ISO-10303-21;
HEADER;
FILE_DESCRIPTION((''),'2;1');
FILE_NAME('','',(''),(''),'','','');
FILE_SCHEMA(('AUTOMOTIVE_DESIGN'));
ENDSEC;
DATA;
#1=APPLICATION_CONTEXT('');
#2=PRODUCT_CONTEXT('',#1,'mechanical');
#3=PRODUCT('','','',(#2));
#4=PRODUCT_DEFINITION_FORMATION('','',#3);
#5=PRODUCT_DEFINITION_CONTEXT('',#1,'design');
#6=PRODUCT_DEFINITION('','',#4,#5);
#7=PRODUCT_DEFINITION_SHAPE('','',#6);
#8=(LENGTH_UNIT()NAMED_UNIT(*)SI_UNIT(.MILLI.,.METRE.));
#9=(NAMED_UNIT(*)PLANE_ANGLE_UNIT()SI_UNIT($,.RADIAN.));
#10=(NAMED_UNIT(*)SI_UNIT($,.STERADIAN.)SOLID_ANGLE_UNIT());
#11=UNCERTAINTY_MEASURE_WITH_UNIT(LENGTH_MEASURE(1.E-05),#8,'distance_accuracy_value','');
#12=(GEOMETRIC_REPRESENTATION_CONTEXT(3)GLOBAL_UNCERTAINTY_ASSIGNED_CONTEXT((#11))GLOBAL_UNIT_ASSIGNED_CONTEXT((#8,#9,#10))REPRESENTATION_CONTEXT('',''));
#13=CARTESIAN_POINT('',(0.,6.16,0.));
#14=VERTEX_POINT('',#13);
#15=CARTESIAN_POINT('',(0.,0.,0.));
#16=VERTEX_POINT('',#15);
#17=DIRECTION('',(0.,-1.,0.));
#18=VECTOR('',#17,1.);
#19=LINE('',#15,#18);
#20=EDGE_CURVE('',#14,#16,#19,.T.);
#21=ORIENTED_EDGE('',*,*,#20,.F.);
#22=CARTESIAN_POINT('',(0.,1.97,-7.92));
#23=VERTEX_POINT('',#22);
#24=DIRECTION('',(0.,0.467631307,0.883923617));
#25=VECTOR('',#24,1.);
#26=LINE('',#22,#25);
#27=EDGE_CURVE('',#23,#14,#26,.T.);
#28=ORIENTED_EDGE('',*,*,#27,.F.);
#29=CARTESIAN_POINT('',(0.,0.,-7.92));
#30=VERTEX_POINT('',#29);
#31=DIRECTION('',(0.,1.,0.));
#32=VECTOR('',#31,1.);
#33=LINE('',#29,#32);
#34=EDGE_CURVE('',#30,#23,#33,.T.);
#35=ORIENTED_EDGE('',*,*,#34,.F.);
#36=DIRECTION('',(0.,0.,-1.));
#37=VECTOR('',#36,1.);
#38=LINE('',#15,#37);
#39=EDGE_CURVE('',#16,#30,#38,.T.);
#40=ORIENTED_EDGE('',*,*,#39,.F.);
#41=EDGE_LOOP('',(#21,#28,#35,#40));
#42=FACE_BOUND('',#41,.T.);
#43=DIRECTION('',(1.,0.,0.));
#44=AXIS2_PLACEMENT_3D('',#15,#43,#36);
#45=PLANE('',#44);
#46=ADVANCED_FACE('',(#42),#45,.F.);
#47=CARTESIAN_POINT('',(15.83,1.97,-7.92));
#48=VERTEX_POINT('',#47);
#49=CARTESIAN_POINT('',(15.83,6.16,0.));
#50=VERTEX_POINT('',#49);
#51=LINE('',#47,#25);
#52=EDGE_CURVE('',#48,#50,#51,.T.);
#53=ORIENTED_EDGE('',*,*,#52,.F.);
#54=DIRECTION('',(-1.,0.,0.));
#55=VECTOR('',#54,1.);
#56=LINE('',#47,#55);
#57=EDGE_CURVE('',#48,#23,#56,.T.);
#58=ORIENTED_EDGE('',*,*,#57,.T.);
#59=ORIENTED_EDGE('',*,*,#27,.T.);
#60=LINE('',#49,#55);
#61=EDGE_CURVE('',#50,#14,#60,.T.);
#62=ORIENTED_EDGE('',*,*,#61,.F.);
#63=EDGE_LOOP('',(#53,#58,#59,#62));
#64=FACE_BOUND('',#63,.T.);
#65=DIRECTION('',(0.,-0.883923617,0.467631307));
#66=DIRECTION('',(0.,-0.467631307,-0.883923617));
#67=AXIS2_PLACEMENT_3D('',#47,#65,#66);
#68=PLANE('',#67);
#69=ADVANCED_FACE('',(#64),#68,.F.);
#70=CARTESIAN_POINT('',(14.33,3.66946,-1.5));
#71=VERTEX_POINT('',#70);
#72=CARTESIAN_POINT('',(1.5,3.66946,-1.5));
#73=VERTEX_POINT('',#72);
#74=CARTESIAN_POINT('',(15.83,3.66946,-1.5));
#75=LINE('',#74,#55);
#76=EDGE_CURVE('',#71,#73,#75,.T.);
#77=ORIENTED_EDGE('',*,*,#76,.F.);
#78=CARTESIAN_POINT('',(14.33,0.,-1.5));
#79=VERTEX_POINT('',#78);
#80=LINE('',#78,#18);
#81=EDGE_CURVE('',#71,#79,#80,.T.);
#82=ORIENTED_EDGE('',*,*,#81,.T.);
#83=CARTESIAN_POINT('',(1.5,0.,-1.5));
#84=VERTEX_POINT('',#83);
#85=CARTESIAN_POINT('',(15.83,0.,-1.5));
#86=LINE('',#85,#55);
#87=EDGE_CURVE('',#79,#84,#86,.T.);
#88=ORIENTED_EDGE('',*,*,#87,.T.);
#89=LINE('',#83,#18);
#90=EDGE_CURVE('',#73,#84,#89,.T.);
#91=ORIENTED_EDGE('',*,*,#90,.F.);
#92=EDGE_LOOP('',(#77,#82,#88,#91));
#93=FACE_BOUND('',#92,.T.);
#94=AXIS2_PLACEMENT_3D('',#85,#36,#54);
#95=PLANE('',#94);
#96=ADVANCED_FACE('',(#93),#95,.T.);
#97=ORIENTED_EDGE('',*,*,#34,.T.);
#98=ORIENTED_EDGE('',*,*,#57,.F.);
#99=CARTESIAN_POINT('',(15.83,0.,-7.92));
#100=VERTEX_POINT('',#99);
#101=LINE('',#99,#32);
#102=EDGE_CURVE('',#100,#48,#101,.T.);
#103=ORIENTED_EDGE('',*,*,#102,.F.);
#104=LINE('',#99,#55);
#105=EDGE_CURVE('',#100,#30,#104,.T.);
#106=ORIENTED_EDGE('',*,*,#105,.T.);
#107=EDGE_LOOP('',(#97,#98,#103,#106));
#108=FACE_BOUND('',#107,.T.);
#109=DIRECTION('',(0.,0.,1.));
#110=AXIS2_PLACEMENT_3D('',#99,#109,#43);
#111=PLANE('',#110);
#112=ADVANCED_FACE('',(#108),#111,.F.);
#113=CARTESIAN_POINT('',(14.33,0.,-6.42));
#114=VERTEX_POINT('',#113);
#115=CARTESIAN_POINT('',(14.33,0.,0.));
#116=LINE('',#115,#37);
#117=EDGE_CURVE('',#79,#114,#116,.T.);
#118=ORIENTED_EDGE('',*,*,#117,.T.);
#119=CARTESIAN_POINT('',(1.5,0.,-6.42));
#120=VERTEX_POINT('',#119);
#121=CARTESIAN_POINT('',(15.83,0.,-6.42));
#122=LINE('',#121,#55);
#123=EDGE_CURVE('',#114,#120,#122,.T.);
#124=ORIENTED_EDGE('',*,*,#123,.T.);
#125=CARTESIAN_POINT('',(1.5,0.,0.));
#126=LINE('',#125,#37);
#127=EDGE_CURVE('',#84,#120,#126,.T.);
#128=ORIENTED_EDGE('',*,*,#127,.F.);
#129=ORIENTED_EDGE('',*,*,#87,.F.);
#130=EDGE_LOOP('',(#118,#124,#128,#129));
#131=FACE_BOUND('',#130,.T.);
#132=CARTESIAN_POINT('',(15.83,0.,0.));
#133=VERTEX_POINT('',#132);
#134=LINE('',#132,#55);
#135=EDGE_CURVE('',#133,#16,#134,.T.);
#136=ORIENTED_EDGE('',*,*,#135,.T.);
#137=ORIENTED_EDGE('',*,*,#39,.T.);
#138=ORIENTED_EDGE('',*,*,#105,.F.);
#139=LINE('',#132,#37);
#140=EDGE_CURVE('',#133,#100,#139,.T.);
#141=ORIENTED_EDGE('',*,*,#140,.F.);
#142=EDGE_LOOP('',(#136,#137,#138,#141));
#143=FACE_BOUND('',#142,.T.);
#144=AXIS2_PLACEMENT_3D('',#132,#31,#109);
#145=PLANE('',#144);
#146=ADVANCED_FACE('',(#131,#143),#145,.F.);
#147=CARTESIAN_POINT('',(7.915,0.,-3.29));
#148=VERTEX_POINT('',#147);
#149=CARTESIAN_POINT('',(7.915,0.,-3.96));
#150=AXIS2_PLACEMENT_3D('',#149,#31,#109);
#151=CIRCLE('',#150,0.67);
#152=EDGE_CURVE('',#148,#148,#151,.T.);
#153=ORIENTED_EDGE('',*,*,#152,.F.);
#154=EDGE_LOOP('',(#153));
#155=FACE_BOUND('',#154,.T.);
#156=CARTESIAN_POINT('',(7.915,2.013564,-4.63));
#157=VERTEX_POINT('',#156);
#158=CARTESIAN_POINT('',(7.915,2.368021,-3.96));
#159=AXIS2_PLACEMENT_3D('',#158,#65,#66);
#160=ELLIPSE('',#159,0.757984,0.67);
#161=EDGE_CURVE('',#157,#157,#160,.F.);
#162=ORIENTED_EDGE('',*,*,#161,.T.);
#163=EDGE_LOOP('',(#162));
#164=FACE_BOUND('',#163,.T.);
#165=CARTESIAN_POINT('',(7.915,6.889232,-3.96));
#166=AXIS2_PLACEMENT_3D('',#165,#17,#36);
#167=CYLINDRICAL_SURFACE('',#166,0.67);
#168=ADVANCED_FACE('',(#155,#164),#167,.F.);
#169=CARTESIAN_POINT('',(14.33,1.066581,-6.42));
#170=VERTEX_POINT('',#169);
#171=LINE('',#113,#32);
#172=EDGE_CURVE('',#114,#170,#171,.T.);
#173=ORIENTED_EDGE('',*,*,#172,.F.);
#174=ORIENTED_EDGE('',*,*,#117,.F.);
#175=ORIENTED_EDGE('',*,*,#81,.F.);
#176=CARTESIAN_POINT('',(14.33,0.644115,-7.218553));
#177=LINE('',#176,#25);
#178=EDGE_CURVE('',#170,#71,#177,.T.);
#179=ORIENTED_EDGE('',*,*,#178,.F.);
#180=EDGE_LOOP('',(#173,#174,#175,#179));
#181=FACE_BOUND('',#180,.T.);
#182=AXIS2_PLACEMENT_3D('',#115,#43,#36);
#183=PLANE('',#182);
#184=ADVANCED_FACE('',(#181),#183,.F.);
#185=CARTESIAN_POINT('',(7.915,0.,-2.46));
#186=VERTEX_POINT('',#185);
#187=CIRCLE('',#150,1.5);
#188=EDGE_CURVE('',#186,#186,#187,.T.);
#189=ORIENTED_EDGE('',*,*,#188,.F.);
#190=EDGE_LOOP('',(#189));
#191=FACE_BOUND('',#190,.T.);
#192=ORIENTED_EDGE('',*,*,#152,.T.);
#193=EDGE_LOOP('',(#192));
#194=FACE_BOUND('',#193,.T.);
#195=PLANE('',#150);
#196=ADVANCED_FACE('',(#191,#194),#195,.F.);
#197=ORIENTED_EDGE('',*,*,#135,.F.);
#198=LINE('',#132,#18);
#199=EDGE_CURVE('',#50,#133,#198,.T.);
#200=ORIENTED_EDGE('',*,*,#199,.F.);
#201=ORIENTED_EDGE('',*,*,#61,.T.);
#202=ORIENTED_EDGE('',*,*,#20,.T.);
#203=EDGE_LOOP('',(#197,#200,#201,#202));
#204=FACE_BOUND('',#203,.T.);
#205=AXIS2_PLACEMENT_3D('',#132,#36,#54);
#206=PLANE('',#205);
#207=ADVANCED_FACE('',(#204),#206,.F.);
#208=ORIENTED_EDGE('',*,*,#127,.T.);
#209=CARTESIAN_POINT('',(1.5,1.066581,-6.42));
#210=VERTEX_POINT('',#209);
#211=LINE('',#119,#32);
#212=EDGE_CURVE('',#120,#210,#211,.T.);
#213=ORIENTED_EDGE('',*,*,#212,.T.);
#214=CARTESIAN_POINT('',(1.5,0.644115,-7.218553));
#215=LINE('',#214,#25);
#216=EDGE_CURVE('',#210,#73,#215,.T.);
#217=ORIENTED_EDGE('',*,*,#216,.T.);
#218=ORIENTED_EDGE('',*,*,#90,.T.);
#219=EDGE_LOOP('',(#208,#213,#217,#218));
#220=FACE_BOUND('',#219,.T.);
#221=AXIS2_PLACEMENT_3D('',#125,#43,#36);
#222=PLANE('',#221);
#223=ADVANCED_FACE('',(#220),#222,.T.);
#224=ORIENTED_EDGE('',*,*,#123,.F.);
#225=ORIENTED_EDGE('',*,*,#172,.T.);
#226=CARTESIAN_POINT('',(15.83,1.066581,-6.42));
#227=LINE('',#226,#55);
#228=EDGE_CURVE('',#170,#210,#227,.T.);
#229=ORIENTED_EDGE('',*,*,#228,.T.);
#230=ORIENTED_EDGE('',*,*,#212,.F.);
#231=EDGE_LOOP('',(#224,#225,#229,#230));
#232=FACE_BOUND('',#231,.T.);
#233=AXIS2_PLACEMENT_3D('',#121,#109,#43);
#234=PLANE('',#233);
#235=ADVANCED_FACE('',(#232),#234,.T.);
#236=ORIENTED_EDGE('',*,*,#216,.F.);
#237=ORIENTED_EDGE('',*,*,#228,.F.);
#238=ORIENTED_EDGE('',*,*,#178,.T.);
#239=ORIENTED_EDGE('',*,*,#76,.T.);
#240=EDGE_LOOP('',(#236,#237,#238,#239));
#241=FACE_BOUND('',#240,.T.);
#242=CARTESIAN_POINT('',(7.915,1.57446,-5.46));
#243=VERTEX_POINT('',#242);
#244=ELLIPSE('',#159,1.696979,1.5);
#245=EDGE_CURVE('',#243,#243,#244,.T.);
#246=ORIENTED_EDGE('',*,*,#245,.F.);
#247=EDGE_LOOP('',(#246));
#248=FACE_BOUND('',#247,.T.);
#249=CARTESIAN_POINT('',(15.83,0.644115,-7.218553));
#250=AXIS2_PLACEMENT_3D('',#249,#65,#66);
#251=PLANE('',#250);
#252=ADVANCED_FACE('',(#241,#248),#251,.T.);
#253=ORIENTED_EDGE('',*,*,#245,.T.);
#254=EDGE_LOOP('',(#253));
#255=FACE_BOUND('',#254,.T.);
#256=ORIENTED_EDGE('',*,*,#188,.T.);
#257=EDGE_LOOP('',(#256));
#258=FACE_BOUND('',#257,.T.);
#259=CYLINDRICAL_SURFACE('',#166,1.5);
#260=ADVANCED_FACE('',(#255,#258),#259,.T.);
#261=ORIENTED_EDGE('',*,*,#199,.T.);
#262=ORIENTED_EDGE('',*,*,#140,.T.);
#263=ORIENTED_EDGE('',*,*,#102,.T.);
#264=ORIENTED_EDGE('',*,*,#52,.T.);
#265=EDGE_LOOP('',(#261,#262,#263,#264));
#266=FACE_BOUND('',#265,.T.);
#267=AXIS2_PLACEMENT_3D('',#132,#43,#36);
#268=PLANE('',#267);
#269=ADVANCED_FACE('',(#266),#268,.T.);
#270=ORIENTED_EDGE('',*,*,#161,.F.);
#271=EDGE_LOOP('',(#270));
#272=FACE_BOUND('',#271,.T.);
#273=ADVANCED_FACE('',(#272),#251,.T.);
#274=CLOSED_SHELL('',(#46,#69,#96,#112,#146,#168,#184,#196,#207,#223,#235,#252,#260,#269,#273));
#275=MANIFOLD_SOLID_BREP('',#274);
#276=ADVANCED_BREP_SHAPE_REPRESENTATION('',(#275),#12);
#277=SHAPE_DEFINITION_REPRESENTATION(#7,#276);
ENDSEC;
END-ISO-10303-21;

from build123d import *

# Parameters (mm, degrees)
BOSS_EXTRUDE1_DEPTH = 15.83
SHELL1_T            = -1.5
BOSS_EXTRUDE3_REACH = 20.742
SKETCH2_R           = 1.5
SKETCH2_R_2         = 0.67


with BuildPart() as part:
    # Sketch1 → Boss-Extrude1 (new body)
    with BuildSketch(Plane(origin=(0, 0, 0), x_dir=(0, 0, -1), z_dir=(1, 0, 0))):
        Polygon((0, 0), (0, 6.16), (7.92, 1.97), (7.92, 0), align=None)
    extrude(amount=BOSS_EXTRUDE1_DEPTH)

    # Shell1
    shell1_openings = [part.faces().sort_by_distance(p)[0] for p in [
        (7.915, 0, -3.96),
    ]]
    offset(amount=SHELL1_T, openings=shell1_openings, kind=Kind.INTERSECTION)

    # Boss-Extrude3: up to this plane
    boss_extrude3_end = Plane(origin=(15.83, 0.644114575, -7.218553039), z_dir=(0, -0.8839236168124106, 0.46763130737929287))
    # Sketch2 → Boss-Extrude3 (add, up to the surface)
    with BuildSketch(Plane(origin=(0, 0, 0), x_dir=(1, 0, 0), z_dir=(0, 1, 0)), mode=Mode.PRIVATE) as boss_extrude3_sk1:
        with Locations(Location((7.915, 3.96, 0), (0, 0, 90))):
            Circle(SKETCH2_R)
        with Locations(Location((7.915, 3.96, 0), (0, 0, 90))):
            Circle(SKETCH2_R_2, mode=Mode.SUBTRACT)
    boss_extrude3_tool1 = split(extrude(boss_extrude3_sk1.sketch, amount=BOSS_EXTRUDE3_REACH, mode=Mode.PRIVATE), bisect_by=boss_extrude3_end, keep=Keep.BOTH, mode=Mode.PRIVATE)
    add(boss_extrude3_tool1.solids().sort_by_distance((7.915, 0, -2.502426))[0])


solid = part.part
